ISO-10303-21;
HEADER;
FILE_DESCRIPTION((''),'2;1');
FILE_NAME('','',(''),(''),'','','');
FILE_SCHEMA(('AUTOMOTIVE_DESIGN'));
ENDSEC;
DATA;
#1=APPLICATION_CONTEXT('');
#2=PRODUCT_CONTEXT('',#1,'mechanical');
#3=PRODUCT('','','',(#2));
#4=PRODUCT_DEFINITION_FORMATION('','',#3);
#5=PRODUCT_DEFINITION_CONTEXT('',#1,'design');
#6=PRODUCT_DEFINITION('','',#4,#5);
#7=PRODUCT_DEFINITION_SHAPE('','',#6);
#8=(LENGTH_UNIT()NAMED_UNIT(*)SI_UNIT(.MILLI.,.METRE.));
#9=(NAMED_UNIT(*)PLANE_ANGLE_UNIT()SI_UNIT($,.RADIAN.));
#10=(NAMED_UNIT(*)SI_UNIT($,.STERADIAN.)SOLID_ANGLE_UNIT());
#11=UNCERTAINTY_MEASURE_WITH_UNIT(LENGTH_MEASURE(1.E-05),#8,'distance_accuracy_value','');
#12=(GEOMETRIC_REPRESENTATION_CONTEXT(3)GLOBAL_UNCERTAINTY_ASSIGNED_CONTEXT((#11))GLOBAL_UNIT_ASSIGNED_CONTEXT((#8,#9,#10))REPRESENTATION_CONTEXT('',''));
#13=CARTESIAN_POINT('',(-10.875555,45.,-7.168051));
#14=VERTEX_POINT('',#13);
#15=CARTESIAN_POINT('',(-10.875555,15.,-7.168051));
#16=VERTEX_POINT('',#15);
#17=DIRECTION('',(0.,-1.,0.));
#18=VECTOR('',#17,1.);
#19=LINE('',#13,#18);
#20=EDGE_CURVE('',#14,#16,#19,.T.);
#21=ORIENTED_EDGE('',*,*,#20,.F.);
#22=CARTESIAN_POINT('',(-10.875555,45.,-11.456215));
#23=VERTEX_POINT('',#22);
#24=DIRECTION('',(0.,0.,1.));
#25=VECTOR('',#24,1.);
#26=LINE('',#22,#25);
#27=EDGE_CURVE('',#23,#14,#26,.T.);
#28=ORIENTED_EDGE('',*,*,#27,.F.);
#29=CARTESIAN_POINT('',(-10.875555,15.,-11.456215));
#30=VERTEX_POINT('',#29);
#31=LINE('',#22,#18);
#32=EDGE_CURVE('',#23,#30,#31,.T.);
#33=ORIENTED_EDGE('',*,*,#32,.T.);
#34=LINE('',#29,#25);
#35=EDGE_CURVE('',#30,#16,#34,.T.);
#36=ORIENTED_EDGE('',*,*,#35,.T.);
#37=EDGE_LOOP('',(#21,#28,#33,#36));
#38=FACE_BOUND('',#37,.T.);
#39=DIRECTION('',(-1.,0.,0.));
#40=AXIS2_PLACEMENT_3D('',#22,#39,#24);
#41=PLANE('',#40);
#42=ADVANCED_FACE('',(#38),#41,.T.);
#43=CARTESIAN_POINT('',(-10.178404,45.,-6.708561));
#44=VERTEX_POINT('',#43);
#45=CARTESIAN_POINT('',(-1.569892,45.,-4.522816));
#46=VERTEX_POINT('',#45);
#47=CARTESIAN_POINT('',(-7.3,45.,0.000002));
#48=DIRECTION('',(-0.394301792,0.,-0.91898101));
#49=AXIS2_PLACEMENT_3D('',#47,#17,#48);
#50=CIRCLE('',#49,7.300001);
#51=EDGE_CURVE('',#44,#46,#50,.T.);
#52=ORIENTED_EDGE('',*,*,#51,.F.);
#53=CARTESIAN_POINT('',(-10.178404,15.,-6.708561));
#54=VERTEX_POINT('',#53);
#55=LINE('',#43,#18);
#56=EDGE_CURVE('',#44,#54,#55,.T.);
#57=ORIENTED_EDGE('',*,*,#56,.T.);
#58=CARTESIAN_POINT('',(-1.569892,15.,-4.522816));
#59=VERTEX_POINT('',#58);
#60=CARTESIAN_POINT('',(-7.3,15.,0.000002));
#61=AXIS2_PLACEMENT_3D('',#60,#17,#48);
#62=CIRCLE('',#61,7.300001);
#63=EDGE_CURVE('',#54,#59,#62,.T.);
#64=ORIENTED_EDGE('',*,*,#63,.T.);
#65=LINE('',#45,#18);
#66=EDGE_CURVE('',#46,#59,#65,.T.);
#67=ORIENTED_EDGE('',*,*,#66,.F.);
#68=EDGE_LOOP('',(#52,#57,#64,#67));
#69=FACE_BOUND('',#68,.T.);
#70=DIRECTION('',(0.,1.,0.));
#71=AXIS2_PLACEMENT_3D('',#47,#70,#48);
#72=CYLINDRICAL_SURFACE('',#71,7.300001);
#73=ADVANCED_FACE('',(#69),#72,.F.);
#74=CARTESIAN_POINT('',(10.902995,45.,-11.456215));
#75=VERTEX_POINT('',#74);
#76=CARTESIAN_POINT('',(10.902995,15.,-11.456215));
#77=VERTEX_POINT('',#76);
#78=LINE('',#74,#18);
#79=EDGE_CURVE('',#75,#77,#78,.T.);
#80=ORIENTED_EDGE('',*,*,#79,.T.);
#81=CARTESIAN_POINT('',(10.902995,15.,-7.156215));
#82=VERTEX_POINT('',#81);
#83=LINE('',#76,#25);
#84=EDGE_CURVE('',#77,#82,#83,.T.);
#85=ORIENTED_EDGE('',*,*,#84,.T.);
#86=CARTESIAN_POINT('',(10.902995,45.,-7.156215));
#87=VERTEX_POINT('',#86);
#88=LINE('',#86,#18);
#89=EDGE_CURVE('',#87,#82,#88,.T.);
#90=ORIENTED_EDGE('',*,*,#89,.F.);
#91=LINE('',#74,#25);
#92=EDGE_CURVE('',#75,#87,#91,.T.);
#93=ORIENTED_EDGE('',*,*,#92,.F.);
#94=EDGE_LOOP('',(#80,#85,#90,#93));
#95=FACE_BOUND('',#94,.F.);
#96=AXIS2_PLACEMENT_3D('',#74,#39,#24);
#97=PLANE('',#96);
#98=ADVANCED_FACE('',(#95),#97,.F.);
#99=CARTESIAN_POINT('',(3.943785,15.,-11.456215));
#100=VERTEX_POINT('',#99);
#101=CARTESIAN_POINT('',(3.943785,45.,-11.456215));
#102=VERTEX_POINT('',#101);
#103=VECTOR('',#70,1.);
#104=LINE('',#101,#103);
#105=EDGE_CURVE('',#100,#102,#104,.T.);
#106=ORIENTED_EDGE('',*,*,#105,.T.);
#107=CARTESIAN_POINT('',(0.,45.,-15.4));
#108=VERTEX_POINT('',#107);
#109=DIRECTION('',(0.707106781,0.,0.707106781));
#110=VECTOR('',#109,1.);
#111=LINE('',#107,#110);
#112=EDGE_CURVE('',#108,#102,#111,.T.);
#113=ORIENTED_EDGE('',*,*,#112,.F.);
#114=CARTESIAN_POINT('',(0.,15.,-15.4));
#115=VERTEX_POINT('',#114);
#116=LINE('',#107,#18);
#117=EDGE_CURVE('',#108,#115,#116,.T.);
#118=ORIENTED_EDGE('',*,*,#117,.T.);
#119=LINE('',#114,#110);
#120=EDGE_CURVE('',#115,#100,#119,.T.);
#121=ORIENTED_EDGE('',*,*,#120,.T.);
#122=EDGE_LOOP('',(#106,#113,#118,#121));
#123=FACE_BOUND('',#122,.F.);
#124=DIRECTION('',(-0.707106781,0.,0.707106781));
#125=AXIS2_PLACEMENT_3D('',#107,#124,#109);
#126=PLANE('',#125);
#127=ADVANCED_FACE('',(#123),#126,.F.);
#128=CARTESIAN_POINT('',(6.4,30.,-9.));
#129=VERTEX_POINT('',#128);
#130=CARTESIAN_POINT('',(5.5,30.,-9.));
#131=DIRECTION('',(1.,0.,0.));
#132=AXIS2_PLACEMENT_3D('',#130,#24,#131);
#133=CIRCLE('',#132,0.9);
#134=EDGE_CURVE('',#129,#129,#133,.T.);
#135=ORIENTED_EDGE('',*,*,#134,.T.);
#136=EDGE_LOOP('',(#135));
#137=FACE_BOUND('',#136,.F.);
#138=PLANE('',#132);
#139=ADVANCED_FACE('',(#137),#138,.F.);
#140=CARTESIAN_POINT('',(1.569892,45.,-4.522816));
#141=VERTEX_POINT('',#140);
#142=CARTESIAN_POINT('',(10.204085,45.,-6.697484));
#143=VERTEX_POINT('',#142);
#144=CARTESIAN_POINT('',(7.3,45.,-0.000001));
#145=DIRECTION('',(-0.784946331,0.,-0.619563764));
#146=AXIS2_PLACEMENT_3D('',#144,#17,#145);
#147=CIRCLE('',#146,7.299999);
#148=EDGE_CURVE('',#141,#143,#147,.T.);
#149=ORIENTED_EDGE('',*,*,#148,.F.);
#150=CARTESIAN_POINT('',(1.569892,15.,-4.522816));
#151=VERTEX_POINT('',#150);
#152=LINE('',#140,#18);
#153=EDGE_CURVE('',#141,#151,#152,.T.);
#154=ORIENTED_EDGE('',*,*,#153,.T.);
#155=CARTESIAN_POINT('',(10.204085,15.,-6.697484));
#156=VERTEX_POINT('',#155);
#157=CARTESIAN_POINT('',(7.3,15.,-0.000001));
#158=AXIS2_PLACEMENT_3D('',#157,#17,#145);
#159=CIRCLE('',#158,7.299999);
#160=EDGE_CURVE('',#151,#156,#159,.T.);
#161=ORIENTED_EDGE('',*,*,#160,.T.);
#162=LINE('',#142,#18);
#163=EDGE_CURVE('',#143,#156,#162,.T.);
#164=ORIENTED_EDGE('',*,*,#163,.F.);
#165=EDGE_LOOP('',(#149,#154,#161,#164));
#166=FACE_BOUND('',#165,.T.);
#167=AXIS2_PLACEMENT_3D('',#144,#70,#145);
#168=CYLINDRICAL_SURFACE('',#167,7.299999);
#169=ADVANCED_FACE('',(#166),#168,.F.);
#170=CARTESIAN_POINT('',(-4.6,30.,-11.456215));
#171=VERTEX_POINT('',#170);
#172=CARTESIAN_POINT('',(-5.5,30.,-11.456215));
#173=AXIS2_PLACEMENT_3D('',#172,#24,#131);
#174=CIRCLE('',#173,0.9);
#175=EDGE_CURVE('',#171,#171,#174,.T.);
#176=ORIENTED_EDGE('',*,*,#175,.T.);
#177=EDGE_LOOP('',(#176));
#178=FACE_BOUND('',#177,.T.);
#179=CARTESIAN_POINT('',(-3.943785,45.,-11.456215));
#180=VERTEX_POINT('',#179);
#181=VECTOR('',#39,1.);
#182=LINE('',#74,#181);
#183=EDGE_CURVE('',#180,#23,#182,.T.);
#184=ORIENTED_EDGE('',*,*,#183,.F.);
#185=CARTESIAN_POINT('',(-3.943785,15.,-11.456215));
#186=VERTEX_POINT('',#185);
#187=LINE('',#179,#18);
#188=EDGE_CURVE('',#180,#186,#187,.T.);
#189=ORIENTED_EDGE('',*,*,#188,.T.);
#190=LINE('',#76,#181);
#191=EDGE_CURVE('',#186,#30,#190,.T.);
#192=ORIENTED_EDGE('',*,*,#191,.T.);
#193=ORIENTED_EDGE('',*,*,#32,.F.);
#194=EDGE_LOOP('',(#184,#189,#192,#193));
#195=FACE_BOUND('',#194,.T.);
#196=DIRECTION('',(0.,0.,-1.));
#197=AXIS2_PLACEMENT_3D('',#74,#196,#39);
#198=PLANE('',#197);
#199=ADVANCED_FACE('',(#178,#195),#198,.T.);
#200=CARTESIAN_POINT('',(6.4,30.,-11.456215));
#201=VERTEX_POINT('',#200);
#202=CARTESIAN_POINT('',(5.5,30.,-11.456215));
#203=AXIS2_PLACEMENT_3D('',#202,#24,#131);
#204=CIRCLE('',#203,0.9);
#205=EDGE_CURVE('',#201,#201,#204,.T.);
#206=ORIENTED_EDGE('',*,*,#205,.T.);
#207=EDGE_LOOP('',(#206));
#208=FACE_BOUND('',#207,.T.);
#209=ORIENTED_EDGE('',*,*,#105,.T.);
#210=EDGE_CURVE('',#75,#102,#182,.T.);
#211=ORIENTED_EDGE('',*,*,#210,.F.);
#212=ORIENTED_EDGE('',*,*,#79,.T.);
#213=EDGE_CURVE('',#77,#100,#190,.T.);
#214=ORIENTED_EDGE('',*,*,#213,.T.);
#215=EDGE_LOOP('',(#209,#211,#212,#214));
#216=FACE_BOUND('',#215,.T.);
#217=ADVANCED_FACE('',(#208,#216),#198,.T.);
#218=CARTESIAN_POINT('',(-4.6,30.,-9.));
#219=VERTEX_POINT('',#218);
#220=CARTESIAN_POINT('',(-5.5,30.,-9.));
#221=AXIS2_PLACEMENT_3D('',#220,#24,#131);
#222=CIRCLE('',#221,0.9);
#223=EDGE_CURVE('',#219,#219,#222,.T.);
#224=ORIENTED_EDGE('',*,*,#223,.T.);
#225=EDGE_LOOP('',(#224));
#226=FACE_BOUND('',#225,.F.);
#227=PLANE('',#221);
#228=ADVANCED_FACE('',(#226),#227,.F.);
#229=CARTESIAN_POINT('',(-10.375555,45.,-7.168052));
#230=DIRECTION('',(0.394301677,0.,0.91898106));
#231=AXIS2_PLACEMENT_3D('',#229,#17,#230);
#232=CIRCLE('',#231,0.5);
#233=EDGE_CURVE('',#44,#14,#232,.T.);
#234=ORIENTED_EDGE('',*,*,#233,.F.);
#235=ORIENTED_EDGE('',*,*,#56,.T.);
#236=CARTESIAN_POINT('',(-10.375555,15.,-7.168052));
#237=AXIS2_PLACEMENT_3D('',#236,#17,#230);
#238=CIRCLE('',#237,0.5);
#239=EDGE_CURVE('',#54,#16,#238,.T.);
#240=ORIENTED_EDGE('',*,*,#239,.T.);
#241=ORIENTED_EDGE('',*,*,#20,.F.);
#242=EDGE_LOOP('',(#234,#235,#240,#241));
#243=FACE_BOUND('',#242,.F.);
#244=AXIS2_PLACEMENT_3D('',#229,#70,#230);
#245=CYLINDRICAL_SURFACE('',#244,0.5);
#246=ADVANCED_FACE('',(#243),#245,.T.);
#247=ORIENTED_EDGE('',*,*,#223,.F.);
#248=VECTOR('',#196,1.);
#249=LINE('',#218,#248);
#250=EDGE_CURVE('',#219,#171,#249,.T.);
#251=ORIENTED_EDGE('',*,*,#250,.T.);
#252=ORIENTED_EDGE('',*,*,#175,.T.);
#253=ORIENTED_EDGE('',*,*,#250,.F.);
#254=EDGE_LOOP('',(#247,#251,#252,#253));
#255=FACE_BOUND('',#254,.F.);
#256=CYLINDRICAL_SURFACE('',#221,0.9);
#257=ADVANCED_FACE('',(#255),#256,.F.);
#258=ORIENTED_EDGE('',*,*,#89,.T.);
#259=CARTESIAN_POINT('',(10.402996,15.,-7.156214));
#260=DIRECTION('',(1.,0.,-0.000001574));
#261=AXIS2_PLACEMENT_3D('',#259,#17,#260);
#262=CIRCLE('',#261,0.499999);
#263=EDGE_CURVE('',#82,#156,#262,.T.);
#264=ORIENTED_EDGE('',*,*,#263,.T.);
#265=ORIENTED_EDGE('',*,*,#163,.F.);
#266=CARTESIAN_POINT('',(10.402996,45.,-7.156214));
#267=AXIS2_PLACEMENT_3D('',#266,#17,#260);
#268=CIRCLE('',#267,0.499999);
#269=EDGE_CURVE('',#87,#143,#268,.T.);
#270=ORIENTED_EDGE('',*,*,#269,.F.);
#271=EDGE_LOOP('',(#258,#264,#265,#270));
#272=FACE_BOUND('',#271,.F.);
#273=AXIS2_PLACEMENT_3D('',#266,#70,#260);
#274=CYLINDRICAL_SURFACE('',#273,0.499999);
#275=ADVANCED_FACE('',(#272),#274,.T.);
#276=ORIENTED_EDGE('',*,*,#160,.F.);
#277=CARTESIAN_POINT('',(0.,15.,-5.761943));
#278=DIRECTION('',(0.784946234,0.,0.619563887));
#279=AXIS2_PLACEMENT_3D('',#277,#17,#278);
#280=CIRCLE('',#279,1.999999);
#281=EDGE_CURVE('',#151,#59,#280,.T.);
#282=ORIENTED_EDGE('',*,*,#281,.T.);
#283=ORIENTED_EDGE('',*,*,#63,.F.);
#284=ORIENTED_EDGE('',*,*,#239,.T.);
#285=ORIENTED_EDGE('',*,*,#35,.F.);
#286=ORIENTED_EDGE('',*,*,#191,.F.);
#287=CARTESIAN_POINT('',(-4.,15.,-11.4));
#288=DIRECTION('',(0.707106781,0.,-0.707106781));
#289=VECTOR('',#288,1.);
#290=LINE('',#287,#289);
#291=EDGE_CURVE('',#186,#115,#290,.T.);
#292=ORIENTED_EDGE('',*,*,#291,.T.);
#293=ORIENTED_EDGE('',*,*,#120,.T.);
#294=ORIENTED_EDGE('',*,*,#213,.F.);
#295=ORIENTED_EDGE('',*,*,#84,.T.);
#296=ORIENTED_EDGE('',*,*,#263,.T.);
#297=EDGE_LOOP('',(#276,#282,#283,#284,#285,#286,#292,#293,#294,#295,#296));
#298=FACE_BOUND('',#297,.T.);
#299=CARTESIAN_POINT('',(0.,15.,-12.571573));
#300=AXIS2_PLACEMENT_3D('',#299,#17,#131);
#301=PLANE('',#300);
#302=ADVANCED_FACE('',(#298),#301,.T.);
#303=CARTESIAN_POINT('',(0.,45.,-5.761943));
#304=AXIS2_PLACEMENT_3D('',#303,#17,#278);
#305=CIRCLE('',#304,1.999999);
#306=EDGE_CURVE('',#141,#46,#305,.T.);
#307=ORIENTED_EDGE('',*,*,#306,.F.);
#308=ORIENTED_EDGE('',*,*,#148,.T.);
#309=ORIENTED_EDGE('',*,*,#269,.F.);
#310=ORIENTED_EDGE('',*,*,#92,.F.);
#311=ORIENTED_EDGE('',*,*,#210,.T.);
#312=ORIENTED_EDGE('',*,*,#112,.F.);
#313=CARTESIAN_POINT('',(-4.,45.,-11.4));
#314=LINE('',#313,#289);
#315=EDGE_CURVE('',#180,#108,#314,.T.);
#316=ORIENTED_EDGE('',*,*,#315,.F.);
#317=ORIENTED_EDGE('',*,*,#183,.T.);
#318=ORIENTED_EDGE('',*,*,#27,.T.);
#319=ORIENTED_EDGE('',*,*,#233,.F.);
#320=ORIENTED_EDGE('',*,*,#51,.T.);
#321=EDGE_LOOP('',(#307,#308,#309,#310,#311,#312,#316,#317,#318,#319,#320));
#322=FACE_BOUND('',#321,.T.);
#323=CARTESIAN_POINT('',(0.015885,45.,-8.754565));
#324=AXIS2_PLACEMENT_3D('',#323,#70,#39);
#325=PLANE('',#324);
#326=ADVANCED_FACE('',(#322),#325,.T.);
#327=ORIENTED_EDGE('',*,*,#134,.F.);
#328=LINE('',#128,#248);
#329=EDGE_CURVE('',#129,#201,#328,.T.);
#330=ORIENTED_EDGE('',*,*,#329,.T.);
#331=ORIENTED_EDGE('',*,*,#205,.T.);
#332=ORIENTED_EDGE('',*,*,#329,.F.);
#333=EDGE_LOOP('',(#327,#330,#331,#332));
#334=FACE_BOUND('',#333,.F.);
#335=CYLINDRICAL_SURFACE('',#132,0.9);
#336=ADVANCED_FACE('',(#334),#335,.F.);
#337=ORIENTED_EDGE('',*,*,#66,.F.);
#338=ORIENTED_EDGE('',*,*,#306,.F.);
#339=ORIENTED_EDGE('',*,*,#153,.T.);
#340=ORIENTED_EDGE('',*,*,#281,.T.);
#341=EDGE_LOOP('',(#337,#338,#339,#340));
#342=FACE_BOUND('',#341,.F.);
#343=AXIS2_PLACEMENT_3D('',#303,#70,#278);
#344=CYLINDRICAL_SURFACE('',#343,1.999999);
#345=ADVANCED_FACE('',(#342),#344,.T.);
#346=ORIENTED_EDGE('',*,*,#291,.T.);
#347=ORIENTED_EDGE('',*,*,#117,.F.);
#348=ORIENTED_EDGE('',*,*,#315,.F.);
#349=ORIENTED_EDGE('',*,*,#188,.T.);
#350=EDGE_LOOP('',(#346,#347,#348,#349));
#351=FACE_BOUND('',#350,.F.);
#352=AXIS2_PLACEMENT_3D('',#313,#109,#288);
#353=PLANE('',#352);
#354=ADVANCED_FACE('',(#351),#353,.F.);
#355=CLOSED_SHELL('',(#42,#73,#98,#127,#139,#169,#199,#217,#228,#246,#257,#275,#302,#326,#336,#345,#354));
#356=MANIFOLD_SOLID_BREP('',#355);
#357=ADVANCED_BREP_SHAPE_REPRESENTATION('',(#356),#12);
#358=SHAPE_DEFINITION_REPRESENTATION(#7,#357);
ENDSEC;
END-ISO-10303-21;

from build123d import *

# Parameters (mm, degrees)
PAD005_DEPTH    = 30
PAD006_DEPTH    = 30
SKETCH043_R     = 0.9
POCKET016_DEPTH = 5


with BuildPart() as part:
    # Sketch037 → Pad005 (new body)
    with BuildSketch(Plane.XZ.offset(-45)):
        with BuildLine():
            ThreePointArc((-10.178404, -6.708561), (-5.503497, -7.075491), (-1.569892, -4.522816))
            ThreePointArc((1.569892, -4.522816), (0, -3.761944), (-1.569892, -4.522816))
            ThreePointArc((1.569892, -4.522816), (5.517054, -7.07892), (10.204085, -6.697484))
            ThreePointArc((10.902995, -7.156215), (10.677354, -6.738211), (10.204085, -6.697484))
            Line((10.902995, -11.456215), (10.902995, -7.156215))
            Line((10.902995, -11.456215), (-10.875555, -11.456215))
            Line((-10.875555, -11.456215), (-10.875555, -7.168051))
            ThreePointArc((-10.178404, -6.708561), (-10.650714, -6.750574), (-10.875555, -7.168051))
        make_face()
    extrude(amount=PAD005_DEPTH)

    # Sketch042 → Pad006 (join)
    with BuildSketch(Plane.XZ.offset(-45)):
        Polygon((-4, -11.4), (0, -15.4), (4, -11.4), align=None)
    extrude(amount=PAD006_DEPTH)

    # Sketch043 → Pocket016 (cut)
    with BuildSketch(Plane.XY.offset(-9)):
        with Locations((-5.5, 30)):
            Circle(SKETCH043_R)
        with Locations((-5.5, -30)):
            Circle(SKETCH043_R)
        with Locations((5.5, 30)):
            Circle(SKETCH043_R)
        with Locations((5.5, -30)):
            Circle(SKETCH043_R)
    extrude(amount=-POCKET016_DEPTH, mode=Mode.SUBTRACT)


solid = part.part
